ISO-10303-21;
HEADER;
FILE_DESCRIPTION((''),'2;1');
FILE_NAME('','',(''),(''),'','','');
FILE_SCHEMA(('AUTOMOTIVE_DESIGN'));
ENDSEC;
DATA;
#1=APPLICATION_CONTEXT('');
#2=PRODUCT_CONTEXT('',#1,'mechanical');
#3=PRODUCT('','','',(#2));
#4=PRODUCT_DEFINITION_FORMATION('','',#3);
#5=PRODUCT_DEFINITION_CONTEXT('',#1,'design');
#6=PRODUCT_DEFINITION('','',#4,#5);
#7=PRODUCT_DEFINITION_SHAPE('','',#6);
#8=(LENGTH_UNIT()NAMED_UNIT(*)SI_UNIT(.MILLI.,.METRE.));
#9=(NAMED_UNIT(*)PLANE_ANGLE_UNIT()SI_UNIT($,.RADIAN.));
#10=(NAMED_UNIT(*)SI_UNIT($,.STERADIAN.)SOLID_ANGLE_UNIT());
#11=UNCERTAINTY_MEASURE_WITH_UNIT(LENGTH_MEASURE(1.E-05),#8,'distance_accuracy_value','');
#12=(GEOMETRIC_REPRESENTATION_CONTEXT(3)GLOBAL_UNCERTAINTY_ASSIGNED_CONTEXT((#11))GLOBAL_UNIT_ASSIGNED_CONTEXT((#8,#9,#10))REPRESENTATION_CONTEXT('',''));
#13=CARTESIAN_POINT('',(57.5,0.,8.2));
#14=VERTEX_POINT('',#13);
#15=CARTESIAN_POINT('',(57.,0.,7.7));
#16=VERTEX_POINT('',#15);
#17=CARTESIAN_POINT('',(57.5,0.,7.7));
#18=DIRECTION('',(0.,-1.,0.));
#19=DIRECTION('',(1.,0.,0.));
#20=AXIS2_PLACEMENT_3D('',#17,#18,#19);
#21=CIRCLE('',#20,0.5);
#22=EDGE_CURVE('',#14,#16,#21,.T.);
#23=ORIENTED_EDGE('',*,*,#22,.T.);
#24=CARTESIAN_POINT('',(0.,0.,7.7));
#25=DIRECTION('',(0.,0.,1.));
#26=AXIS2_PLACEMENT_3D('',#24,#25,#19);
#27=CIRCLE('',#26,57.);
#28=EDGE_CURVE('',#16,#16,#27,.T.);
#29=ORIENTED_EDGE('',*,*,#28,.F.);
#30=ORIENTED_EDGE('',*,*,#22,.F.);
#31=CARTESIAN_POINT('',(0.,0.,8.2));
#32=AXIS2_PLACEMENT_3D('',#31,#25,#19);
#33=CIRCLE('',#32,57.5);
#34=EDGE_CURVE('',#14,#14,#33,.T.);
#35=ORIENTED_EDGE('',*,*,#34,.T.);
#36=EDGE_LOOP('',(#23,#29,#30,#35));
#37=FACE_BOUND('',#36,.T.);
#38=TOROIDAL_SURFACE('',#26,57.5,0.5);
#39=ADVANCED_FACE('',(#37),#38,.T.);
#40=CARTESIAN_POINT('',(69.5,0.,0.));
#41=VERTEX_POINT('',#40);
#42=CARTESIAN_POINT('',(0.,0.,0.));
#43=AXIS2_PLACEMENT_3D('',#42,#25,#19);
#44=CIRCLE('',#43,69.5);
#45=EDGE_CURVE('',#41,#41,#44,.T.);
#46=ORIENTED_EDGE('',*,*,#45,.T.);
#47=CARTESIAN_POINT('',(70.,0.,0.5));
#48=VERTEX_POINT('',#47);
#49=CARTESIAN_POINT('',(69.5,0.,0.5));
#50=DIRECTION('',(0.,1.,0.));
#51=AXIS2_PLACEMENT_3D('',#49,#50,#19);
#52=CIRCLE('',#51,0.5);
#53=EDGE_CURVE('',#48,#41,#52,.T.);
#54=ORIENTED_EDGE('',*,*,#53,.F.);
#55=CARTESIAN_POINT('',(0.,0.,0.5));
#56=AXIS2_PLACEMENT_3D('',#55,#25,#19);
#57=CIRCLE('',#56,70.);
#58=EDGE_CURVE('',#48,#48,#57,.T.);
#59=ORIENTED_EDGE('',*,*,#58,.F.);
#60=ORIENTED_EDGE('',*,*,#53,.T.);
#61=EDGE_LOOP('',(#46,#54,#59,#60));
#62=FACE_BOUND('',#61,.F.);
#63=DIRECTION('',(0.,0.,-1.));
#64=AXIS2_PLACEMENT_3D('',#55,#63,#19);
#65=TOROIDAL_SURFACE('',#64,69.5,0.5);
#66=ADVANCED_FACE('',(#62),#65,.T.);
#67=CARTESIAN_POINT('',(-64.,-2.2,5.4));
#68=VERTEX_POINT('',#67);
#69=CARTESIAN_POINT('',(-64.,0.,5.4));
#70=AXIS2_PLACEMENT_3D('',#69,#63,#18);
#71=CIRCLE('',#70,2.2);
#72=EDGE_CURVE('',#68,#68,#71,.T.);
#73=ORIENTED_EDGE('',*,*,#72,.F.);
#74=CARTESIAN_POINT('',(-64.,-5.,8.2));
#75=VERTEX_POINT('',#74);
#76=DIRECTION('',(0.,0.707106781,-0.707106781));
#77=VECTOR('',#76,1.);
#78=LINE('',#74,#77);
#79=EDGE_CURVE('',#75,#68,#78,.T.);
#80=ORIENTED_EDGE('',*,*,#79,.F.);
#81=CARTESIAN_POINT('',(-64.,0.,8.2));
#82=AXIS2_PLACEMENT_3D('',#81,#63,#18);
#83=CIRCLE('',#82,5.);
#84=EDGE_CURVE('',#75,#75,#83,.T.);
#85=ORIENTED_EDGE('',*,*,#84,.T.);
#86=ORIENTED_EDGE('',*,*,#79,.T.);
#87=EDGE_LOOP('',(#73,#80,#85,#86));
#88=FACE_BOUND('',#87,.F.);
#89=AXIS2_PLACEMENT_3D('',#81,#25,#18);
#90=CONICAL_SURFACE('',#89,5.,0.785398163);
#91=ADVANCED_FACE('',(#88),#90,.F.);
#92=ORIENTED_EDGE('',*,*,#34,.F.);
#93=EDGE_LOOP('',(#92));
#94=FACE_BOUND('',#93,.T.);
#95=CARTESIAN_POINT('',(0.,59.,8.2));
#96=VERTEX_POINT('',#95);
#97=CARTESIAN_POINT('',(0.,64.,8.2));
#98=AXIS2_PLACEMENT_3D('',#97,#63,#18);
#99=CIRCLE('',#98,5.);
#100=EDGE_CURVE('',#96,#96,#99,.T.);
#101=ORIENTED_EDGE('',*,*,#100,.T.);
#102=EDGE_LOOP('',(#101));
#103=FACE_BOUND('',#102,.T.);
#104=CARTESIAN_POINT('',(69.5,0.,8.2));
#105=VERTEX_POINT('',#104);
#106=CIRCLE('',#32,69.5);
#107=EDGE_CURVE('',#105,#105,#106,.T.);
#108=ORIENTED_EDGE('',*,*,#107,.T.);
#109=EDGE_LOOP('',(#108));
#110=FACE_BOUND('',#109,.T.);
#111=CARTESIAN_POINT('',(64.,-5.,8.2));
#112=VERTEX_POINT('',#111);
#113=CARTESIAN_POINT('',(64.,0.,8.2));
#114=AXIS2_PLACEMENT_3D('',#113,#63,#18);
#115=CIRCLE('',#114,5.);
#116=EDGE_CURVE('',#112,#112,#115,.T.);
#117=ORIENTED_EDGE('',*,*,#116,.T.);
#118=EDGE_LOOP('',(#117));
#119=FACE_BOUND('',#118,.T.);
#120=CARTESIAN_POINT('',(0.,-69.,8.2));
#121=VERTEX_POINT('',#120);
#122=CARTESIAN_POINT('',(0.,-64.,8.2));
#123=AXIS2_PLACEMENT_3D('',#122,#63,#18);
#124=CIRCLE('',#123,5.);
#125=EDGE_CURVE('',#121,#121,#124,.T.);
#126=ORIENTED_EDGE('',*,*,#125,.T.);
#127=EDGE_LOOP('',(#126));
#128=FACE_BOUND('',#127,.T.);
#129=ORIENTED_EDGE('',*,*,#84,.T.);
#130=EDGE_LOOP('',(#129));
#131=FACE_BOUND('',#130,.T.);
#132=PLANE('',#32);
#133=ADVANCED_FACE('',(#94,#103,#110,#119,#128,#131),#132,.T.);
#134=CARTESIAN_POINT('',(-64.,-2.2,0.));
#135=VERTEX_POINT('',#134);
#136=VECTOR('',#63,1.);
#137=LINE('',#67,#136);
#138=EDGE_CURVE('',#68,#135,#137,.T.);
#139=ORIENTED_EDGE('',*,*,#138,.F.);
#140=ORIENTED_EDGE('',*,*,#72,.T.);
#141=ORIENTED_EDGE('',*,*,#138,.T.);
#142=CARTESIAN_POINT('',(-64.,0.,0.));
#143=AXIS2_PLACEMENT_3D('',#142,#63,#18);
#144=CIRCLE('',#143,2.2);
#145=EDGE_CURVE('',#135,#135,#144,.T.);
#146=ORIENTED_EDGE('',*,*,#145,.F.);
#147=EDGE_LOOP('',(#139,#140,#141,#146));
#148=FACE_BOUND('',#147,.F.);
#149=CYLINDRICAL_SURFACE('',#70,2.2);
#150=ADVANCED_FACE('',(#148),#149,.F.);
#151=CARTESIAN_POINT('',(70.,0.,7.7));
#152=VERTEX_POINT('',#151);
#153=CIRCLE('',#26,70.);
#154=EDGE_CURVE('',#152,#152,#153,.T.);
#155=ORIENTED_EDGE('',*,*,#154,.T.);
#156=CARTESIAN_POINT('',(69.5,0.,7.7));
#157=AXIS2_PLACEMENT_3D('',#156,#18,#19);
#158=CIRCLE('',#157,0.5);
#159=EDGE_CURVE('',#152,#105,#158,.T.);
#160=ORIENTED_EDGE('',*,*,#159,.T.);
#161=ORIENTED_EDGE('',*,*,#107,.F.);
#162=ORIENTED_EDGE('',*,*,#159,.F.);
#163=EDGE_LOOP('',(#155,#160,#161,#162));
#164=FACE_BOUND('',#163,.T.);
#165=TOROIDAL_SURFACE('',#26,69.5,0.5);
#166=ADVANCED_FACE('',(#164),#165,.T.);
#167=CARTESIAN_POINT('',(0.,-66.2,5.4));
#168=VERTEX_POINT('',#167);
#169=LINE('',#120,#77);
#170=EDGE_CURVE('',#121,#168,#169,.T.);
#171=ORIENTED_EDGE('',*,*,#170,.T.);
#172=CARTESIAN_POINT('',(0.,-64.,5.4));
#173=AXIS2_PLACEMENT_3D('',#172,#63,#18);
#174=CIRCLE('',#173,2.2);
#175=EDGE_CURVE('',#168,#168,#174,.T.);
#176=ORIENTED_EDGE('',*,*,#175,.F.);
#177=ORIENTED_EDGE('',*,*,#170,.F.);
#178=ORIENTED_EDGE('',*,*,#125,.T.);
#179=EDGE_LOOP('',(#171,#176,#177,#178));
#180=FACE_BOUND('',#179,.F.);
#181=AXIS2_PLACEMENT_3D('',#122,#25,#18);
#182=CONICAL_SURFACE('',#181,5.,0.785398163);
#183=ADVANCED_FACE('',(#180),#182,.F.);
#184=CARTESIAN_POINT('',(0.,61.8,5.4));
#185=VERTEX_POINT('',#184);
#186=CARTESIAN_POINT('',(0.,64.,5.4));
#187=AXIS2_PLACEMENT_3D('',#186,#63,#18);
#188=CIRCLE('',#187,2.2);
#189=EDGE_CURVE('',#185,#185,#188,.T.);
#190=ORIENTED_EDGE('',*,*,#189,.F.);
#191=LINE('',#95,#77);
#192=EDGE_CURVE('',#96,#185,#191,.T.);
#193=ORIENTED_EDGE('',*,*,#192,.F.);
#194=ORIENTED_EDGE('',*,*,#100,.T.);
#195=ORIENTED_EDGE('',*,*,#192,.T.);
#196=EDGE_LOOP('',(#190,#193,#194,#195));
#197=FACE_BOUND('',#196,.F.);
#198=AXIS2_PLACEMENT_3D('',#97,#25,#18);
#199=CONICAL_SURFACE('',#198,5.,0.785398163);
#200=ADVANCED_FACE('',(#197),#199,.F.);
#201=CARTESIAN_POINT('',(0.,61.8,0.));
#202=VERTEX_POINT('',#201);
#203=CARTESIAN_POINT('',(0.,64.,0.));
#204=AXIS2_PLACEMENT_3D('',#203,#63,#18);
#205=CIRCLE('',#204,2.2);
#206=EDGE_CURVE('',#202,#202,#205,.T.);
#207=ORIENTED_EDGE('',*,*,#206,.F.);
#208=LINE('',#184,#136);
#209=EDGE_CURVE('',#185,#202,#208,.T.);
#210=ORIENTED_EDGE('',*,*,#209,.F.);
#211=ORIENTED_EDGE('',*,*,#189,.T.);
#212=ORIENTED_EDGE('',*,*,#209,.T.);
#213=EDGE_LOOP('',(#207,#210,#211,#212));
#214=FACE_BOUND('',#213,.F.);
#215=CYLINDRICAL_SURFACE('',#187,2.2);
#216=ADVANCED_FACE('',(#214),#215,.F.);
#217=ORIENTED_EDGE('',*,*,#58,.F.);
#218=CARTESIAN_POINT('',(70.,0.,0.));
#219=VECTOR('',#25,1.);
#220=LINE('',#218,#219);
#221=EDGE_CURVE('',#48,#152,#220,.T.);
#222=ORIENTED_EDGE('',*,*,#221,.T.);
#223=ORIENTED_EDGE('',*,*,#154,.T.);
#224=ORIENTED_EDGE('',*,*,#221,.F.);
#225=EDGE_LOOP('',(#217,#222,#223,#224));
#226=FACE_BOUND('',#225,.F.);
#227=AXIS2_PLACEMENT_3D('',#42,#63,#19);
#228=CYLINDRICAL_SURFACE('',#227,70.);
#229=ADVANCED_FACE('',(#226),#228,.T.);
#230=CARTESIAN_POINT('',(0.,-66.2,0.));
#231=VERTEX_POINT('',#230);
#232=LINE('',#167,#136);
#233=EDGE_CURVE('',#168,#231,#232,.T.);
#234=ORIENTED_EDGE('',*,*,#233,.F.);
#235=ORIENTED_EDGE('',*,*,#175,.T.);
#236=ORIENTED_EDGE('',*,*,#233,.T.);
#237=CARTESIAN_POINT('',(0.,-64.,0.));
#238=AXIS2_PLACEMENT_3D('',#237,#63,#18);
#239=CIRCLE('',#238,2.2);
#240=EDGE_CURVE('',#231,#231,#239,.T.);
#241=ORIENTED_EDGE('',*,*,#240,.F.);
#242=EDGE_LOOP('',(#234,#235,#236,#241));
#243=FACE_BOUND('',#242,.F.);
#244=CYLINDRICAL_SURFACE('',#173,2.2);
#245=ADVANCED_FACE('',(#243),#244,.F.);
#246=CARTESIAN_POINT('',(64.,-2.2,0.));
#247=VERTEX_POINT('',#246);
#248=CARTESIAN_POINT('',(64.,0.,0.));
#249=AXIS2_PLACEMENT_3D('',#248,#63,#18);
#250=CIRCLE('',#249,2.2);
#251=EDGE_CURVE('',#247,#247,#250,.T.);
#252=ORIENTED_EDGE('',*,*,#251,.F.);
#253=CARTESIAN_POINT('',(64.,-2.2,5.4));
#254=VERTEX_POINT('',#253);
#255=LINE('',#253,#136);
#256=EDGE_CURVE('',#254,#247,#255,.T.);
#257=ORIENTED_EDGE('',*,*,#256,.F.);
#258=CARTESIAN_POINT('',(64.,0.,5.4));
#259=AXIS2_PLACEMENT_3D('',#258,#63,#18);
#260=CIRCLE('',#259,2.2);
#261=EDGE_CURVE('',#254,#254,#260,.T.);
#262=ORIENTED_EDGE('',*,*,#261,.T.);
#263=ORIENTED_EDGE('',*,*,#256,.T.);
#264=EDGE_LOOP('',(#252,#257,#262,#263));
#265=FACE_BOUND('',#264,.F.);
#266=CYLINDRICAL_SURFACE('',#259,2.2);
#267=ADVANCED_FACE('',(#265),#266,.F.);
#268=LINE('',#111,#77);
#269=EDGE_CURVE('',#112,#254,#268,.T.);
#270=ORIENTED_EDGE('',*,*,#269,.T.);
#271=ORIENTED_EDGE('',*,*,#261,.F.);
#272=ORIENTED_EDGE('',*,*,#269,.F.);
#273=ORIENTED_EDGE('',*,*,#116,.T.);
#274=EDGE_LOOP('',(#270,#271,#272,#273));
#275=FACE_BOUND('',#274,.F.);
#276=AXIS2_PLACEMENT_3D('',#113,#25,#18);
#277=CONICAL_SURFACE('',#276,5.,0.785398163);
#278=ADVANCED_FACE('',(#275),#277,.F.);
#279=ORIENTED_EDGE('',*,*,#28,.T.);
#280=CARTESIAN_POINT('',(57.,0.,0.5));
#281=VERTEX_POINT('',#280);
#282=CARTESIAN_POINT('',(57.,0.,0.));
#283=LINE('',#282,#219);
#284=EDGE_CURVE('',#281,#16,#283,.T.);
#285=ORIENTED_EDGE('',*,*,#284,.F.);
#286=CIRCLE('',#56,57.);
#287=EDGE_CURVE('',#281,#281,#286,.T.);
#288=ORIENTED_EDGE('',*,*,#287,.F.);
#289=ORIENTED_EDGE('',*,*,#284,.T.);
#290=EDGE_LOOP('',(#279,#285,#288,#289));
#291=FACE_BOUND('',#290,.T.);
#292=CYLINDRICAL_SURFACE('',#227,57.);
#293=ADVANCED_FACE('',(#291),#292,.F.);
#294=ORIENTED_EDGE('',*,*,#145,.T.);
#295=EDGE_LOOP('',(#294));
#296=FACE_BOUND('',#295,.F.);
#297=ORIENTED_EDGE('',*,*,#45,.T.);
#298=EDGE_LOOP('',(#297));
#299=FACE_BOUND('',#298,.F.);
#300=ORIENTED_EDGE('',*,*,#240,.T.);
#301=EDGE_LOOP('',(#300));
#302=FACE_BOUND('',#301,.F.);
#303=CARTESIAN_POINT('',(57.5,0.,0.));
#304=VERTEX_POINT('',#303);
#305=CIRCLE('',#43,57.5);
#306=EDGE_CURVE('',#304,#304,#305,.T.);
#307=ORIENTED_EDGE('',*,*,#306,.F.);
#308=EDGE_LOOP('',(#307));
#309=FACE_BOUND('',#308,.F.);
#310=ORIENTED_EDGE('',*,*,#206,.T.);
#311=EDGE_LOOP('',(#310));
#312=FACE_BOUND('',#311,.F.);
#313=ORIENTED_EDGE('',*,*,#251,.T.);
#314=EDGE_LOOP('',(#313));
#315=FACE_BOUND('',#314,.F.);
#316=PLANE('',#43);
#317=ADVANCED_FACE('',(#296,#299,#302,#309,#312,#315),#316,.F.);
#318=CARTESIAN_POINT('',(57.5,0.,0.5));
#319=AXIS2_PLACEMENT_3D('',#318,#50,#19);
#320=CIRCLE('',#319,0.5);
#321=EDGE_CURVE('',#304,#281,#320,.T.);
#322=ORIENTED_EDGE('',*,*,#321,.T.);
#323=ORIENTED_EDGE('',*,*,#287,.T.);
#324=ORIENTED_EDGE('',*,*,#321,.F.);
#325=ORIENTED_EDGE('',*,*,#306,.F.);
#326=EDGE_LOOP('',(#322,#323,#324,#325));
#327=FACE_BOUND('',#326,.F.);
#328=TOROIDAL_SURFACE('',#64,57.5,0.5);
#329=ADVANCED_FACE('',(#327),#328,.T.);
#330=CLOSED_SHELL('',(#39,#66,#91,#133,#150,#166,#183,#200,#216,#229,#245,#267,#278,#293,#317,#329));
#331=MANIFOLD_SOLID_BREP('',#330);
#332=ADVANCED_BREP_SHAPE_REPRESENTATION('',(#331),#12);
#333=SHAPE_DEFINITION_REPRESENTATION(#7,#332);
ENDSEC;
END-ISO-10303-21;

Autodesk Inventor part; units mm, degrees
ref_plane "YZ Plane" through (0, 0, 0) normal (1, 0, 0) x (0, 1, 0)
ref_plane "XZ Plane" through (0, 0, 0) normal (0, 1, 0) x (-1, 0, 0)
ref_plane "XY Plane" through (0, 0, 0) normal (0, 0, 1) x (1, 0, 0)
sketch "スケッチ1" plane through (0, 0, 0) normal (0, 0, 1) x (1, 0, 0)
  circle A0 centre (0, 0) radius 70
  circle A1 centre (0, 0) radius 57
  dimension "d0" = 140
  dimension "d1" = 114
extrude "押し出し1" add sketch "スケッチ1" along normal blind 8.2
sketch "スケッチ2" plane through (0, 0, 8.2) normal (0, 0, 1) x (1, 0, 0)
  point P0 (0, 0)
  point P1 (-64, 0)
  point P2 (0, -64)
  point P3 (64, 0)
  point P4 (0, 64)
  dimension "d4" = 64
  dimension "d7" = 360
hole "穴1" at (-64, 0, 8.2) at (0, -64, 8.2) at (64, 0, 8.2) at (0, 64, 8.2) direction (0, 0, -1) diameter 4.4 end through all countersink diameter 10 countersink angle 90
fillet "フィレット1" radius 0.5 4 edges at (-70, 0, 0) (-57, 0, 0) (-70, 0, 8.2) (-57, 0, 8.2)
properties part number "TurnTable_140_Outer" material "鋼、合金"
